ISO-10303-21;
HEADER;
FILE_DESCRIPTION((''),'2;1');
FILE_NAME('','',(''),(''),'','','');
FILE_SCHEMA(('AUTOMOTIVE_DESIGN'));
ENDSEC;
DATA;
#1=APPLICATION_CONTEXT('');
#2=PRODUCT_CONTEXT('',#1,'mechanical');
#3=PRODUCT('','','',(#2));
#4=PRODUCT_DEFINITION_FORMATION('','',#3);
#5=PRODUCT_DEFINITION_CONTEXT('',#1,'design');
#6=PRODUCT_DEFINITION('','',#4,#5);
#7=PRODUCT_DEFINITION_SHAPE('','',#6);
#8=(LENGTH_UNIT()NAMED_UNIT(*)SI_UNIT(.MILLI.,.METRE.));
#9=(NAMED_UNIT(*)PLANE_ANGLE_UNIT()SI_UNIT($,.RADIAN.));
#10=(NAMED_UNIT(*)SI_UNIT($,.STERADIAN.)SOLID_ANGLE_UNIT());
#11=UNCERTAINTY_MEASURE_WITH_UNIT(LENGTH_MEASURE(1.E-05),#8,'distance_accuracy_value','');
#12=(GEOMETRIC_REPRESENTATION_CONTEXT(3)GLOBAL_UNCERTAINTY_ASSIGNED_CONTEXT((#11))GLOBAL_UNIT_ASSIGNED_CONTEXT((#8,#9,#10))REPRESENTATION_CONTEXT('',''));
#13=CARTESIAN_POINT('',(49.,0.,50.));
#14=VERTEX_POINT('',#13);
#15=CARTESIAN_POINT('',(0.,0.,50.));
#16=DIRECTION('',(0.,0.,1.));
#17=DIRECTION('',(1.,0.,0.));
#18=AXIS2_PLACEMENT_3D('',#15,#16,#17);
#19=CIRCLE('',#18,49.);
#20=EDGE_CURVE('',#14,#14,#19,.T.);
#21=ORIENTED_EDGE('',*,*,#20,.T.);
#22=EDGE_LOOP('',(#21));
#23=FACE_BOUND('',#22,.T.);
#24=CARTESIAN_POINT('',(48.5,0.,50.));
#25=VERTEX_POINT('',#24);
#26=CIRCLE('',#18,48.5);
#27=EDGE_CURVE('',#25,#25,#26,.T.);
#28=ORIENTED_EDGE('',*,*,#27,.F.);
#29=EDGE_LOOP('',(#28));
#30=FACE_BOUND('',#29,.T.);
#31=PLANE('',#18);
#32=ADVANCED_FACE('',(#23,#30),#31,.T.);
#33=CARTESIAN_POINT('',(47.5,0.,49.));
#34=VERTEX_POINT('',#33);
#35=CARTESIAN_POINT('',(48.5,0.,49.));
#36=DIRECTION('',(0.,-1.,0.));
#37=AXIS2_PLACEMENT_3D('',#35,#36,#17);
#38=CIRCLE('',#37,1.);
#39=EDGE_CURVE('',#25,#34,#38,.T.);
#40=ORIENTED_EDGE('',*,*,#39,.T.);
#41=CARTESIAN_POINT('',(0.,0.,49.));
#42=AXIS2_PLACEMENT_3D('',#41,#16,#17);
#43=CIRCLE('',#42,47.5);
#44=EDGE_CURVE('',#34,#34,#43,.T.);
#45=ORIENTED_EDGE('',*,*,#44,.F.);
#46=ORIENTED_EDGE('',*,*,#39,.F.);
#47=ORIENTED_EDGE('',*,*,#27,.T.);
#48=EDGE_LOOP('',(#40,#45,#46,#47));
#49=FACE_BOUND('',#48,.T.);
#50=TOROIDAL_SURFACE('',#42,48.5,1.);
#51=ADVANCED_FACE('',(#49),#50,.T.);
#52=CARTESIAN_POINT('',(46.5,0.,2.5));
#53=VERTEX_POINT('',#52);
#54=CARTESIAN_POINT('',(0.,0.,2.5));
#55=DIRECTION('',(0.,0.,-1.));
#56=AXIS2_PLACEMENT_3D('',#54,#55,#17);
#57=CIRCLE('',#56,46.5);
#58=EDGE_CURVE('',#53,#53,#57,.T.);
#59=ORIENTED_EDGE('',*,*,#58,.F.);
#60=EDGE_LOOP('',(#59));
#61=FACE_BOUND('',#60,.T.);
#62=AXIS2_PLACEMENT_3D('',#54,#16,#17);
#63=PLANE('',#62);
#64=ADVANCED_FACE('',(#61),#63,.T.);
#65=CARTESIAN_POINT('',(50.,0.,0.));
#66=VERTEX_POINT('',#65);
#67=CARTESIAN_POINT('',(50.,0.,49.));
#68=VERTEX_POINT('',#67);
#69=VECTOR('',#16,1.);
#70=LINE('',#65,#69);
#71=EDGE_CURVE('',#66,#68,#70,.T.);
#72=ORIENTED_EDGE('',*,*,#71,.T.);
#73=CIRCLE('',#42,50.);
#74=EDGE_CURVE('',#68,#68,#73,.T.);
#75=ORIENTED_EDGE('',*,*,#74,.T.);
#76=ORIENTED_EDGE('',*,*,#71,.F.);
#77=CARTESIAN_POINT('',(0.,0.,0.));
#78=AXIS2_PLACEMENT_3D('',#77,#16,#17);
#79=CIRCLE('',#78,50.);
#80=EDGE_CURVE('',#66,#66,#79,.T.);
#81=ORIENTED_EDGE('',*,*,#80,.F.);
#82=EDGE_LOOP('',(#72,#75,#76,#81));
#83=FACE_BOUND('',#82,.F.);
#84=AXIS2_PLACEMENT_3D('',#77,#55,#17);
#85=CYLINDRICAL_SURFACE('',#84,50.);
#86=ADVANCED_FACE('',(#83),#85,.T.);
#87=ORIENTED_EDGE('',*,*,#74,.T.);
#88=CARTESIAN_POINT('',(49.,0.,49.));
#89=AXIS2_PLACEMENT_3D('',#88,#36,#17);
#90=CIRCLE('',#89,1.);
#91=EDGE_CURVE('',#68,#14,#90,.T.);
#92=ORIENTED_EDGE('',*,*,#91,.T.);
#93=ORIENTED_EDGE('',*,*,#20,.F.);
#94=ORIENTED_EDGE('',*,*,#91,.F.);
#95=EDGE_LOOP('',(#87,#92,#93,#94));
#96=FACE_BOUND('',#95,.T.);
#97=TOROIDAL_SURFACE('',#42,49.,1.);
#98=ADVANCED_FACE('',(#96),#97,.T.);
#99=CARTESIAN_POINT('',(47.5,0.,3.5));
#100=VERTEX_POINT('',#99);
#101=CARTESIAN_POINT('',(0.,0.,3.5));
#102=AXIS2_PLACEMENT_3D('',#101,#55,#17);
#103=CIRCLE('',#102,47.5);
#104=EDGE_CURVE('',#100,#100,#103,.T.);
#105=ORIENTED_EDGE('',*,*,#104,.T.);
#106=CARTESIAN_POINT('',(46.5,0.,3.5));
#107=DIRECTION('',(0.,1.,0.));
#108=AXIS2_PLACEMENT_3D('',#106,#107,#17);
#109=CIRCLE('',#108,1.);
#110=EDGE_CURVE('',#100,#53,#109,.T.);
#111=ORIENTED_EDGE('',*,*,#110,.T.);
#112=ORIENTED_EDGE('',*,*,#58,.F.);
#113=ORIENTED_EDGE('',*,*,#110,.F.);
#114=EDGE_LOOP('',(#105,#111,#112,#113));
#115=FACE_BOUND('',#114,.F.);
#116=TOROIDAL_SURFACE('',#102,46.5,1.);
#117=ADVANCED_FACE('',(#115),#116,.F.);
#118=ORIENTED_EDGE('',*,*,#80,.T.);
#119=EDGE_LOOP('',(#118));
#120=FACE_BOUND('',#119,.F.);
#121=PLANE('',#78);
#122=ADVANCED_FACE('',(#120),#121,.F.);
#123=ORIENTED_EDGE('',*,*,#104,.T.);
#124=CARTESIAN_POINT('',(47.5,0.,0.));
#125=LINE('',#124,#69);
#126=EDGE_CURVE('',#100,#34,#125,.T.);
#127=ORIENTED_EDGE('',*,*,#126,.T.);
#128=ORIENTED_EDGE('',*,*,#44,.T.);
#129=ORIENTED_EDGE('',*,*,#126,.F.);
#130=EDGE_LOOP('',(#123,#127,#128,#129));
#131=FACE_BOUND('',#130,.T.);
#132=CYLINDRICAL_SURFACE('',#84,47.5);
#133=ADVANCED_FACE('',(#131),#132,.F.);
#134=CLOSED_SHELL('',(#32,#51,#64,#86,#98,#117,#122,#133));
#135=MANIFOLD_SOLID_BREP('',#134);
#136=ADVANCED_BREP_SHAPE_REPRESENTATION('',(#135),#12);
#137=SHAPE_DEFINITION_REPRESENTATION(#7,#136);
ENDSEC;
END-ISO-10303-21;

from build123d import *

# Parameters (mm, degrees)
F0_R     = 50
F1_DEPTH = 50
F2_T     = -2.5
F3_R     = 1


with BuildPart() as f1:
    # F0 (on Top) → F1 (new body)
    with BuildSketch(Plane.XY):
        Circle(F0_R)
    extrude(amount=F1_DEPTH)

    # F2
    f2_openings = [f1.faces().sort_by_distance(p)[0] for p in [
        (0, 0, 50),
    ]]
    offset(amount=F2_T, openings=f2_openings)

    # F3
    f3_edges = [f1.edges().sort_by_distance(p)[0] for p in [
        (-50, 0, 50),
        (-47.5, 0, 50),
        (-47.5, 0, 2.5),
    ]]
    fillet(f3_edges, radius=F3_R)


solid = f1.part
